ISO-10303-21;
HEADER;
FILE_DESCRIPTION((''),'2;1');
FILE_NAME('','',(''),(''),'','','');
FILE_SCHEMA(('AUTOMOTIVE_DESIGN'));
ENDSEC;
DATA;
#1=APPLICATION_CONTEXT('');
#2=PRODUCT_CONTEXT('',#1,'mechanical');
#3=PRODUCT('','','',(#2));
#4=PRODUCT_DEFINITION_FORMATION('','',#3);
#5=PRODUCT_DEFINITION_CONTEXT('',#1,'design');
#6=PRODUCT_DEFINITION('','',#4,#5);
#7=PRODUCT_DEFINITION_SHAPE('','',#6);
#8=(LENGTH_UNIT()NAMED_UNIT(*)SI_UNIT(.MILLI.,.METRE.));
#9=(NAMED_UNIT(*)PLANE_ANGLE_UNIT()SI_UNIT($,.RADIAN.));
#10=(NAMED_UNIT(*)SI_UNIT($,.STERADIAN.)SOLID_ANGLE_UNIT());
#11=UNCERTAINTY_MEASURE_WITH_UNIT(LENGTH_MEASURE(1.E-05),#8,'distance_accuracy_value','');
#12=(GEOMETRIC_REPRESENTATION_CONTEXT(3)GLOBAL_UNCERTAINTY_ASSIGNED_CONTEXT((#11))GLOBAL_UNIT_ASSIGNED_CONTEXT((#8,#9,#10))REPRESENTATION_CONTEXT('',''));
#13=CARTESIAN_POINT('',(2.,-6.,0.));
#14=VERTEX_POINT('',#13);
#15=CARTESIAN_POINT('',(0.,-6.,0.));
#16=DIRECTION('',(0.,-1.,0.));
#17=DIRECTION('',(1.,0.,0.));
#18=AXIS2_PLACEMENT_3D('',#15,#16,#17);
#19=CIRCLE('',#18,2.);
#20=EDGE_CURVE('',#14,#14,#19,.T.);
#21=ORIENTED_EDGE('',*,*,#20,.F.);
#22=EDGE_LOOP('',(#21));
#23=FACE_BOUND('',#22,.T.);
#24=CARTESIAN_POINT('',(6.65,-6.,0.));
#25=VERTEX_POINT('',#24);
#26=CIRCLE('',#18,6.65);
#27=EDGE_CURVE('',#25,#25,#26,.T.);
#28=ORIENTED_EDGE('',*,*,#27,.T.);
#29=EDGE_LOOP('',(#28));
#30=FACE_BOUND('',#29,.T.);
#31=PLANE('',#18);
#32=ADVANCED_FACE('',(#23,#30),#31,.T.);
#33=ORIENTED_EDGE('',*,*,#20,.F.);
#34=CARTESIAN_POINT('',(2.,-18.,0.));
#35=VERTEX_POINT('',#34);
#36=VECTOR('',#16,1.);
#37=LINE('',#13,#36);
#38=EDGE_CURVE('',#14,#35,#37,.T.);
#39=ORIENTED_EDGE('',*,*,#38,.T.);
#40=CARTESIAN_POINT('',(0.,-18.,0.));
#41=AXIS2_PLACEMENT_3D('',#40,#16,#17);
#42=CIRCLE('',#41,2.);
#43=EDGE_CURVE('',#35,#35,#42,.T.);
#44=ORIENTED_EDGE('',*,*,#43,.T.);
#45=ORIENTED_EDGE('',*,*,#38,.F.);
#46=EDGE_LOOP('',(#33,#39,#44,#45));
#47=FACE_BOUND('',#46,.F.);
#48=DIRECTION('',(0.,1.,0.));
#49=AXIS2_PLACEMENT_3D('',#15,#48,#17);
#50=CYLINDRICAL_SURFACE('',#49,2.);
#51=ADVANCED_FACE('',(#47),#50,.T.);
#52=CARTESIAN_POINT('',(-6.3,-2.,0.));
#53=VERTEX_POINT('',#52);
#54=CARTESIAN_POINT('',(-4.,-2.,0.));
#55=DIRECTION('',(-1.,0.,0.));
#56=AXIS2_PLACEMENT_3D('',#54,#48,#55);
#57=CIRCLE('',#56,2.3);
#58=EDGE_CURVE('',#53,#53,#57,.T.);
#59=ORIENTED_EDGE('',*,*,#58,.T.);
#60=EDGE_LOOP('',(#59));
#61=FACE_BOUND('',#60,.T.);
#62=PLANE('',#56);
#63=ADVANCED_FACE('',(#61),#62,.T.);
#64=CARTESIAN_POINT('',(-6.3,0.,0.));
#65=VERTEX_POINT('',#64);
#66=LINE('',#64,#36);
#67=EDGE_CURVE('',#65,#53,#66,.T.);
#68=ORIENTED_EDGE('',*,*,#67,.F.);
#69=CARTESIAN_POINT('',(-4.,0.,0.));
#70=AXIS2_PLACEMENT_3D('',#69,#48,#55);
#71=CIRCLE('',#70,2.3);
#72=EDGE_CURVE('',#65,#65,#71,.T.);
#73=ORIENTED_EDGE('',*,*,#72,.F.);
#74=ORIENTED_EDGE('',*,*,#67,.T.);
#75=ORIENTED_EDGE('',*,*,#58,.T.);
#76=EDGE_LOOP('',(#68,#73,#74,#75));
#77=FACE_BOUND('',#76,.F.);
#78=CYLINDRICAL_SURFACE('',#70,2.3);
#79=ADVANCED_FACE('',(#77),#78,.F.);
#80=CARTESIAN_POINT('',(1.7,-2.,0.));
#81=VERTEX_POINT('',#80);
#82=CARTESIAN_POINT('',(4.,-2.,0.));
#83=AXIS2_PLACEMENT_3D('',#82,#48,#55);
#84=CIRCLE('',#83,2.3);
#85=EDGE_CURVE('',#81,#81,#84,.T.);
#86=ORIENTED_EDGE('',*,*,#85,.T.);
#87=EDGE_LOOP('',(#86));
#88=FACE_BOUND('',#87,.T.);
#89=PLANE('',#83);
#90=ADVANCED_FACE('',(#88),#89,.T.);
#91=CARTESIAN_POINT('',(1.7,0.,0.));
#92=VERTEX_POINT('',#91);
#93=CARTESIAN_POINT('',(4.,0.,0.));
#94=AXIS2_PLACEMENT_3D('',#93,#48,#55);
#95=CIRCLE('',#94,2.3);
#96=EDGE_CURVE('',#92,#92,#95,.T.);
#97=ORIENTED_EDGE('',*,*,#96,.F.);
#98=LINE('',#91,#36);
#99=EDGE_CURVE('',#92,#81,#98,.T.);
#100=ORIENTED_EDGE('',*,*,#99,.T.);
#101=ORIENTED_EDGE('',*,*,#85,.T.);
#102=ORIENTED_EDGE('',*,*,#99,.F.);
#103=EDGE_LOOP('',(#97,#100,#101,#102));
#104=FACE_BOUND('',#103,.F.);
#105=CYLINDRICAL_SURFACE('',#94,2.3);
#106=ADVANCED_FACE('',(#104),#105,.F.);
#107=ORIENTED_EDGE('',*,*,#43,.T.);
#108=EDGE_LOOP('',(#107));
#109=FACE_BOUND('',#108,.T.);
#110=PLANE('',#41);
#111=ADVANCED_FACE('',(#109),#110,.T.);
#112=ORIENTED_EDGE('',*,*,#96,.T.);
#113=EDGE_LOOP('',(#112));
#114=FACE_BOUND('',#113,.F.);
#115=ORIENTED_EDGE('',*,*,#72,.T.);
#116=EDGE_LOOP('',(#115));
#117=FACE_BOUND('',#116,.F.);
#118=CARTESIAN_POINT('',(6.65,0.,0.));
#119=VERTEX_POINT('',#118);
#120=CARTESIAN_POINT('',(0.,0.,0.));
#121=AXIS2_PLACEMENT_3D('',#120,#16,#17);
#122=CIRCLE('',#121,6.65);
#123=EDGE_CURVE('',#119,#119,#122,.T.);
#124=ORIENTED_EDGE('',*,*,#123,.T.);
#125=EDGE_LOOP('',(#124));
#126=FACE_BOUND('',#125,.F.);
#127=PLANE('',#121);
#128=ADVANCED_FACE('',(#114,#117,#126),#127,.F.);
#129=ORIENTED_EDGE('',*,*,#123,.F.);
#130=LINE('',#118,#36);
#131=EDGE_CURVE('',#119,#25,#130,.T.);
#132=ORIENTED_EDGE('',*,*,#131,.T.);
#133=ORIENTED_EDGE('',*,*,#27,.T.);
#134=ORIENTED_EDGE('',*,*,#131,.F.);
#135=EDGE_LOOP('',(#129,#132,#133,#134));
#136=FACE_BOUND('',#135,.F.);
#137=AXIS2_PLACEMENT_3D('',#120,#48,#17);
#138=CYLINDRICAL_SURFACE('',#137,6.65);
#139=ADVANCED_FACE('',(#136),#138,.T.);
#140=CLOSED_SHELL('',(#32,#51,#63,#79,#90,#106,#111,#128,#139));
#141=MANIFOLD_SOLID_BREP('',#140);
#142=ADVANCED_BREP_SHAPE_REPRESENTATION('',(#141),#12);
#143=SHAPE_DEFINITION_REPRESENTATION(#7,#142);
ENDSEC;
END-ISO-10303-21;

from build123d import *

# Parameters (mm, degrees)
F0_R     = 6.65
F1_DEPTH = 6
F2_R     = 2
F3_DEPTH = 12
F4_R     = 2.3
F5_DEPTH = 2


with BuildPart() as f1:
    # F0 (on Front) → F1 (new body)
    with BuildSketch(Plane.XZ):
        Circle(F0_R)
    extrude(amount=F1_DEPTH)

    # F2 (on face) → F3 (join)
    with BuildSketch(Plane.XZ.offset(6)):
        Circle(F2_R)
    extrude(amount=F3_DEPTH)

    # F4 (on face) → F5 (cut)
    with BuildSketch(Plane(origin=(0, 0, 0), x_dir=(-1, 0, 0), z_dir=(0, 1, 0))):
        with Locations((-4, 0)):
            Circle(F4_R)
        with Locations((4, 0)):
            Circle(F4_R)
    extrude(amount=-F5_DEPTH, mode=Mode.SUBTRACT)


solid = f1.part
